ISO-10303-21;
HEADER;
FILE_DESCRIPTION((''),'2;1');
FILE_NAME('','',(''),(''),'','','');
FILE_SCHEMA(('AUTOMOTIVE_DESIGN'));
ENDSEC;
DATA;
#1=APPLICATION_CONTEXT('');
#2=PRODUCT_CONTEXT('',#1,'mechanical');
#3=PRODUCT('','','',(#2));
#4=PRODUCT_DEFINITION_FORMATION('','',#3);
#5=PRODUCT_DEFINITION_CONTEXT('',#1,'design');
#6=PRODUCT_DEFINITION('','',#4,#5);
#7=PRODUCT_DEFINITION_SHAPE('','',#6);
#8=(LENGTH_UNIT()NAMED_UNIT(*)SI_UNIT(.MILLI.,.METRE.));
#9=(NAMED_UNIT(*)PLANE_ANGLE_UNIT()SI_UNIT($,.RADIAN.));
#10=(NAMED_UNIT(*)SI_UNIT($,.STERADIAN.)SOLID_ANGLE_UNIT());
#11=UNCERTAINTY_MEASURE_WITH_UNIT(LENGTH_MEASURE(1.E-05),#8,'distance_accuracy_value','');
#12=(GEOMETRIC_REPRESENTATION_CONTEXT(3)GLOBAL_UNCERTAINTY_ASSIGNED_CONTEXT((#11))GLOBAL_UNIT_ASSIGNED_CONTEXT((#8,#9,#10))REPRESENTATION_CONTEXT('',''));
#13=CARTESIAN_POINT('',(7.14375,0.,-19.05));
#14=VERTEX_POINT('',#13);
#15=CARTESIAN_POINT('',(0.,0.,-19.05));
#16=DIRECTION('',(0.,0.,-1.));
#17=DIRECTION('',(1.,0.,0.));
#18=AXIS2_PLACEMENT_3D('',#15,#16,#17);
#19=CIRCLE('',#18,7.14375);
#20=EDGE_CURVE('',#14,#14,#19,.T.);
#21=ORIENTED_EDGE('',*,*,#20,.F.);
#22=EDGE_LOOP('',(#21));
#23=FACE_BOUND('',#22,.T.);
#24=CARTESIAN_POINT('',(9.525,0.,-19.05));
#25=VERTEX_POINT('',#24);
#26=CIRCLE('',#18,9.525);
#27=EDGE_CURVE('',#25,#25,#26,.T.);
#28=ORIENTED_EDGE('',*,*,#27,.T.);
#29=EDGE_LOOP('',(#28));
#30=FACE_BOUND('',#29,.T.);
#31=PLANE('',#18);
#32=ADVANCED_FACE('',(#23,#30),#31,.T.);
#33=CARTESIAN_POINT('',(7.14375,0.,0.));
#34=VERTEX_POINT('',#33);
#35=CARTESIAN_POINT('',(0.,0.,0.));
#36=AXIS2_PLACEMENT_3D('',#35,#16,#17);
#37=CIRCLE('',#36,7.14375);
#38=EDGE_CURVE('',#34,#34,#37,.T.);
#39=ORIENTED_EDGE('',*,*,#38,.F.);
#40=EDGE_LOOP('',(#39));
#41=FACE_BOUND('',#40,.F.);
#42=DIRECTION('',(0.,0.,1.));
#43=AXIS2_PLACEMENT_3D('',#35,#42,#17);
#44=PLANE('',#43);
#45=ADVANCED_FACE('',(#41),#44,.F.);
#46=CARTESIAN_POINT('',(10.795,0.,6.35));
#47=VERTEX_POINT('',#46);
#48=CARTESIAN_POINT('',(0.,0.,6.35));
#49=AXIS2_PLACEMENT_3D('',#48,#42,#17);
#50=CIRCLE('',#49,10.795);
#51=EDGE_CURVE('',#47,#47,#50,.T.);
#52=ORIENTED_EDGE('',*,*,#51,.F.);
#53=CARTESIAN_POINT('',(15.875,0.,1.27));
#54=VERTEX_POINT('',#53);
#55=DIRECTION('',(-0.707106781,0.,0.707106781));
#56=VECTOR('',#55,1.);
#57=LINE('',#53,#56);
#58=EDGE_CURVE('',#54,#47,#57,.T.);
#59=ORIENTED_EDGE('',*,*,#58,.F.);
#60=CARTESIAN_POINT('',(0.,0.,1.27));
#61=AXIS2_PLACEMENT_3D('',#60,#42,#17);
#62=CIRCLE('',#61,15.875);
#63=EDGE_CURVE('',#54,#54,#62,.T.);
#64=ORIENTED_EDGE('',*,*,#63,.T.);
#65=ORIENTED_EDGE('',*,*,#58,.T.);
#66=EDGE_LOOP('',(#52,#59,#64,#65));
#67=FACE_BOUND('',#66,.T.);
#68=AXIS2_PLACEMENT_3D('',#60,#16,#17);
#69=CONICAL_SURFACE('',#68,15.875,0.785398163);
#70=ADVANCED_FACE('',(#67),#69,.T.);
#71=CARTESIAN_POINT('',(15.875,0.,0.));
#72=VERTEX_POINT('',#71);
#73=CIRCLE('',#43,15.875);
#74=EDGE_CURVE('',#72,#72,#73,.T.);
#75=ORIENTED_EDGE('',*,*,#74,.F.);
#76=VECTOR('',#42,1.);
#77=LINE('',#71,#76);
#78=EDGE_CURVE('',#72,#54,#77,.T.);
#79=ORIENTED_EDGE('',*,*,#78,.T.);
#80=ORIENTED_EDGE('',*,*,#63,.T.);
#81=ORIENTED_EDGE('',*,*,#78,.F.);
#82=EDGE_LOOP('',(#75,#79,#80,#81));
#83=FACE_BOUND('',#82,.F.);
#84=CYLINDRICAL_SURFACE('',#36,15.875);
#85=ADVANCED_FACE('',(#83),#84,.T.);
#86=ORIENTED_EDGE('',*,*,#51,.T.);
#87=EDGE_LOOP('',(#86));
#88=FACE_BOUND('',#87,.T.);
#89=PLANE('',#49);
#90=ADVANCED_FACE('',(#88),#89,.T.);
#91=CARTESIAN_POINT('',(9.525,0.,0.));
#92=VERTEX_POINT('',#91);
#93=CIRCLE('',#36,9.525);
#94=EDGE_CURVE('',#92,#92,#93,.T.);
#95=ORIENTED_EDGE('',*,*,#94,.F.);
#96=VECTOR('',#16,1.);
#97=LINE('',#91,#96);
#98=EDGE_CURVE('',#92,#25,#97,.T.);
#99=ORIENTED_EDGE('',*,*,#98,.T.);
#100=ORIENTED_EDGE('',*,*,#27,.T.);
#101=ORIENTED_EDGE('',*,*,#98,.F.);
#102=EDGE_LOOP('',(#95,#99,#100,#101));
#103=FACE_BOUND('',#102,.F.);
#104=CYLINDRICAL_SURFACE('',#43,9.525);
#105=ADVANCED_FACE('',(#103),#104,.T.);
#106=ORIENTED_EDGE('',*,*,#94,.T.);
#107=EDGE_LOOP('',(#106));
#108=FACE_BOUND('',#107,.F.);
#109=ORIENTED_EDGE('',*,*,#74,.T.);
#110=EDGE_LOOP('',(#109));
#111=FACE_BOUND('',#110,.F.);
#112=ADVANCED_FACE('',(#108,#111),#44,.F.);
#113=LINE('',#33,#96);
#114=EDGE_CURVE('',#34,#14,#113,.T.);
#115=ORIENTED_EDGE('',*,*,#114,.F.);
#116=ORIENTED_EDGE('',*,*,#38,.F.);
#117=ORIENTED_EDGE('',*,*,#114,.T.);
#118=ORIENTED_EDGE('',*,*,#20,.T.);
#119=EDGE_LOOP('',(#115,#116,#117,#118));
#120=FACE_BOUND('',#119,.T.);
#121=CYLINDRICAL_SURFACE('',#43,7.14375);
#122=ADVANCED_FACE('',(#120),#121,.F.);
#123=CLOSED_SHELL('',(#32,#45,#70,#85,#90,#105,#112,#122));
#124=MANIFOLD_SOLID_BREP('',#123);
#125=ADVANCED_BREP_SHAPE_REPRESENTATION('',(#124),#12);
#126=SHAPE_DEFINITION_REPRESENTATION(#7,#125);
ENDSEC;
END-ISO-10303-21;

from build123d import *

# Parameters (mm, degrees)
F0_R     = 15.875
F1_DEPTH = 6.35
F2_SIZE  = 5.08
F3_R     = 9.525
F3_R_2   = 7.14375
F4_DEPTH = 19.05


with BuildPart() as f1:
    # F0 (on Top) → F1 (new body)
    with BuildSketch(Plane.XY):
        Circle(F0_R)
    extrude(amount=F1_DEPTH)

    # F2
    f2_edges = [f1.edges().sort_by_distance(p)[0] for p in [
        (-15.875, 0, 6.35),
    ]]
    chamfer(f2_edges, length=F2_SIZE)

    # F3 (on face) → F4 (join)
    with BuildSketch(Plane(origin=(0, 0, 0), x_dir=(1, 0, 0), z_dir=(0, 0, -1))):
        Circle(F3_R)
        Circle(F3_R_2, mode=Mode.SUBTRACT)
    extrude(amount=F4_DEPTH)


solid = f1.part
